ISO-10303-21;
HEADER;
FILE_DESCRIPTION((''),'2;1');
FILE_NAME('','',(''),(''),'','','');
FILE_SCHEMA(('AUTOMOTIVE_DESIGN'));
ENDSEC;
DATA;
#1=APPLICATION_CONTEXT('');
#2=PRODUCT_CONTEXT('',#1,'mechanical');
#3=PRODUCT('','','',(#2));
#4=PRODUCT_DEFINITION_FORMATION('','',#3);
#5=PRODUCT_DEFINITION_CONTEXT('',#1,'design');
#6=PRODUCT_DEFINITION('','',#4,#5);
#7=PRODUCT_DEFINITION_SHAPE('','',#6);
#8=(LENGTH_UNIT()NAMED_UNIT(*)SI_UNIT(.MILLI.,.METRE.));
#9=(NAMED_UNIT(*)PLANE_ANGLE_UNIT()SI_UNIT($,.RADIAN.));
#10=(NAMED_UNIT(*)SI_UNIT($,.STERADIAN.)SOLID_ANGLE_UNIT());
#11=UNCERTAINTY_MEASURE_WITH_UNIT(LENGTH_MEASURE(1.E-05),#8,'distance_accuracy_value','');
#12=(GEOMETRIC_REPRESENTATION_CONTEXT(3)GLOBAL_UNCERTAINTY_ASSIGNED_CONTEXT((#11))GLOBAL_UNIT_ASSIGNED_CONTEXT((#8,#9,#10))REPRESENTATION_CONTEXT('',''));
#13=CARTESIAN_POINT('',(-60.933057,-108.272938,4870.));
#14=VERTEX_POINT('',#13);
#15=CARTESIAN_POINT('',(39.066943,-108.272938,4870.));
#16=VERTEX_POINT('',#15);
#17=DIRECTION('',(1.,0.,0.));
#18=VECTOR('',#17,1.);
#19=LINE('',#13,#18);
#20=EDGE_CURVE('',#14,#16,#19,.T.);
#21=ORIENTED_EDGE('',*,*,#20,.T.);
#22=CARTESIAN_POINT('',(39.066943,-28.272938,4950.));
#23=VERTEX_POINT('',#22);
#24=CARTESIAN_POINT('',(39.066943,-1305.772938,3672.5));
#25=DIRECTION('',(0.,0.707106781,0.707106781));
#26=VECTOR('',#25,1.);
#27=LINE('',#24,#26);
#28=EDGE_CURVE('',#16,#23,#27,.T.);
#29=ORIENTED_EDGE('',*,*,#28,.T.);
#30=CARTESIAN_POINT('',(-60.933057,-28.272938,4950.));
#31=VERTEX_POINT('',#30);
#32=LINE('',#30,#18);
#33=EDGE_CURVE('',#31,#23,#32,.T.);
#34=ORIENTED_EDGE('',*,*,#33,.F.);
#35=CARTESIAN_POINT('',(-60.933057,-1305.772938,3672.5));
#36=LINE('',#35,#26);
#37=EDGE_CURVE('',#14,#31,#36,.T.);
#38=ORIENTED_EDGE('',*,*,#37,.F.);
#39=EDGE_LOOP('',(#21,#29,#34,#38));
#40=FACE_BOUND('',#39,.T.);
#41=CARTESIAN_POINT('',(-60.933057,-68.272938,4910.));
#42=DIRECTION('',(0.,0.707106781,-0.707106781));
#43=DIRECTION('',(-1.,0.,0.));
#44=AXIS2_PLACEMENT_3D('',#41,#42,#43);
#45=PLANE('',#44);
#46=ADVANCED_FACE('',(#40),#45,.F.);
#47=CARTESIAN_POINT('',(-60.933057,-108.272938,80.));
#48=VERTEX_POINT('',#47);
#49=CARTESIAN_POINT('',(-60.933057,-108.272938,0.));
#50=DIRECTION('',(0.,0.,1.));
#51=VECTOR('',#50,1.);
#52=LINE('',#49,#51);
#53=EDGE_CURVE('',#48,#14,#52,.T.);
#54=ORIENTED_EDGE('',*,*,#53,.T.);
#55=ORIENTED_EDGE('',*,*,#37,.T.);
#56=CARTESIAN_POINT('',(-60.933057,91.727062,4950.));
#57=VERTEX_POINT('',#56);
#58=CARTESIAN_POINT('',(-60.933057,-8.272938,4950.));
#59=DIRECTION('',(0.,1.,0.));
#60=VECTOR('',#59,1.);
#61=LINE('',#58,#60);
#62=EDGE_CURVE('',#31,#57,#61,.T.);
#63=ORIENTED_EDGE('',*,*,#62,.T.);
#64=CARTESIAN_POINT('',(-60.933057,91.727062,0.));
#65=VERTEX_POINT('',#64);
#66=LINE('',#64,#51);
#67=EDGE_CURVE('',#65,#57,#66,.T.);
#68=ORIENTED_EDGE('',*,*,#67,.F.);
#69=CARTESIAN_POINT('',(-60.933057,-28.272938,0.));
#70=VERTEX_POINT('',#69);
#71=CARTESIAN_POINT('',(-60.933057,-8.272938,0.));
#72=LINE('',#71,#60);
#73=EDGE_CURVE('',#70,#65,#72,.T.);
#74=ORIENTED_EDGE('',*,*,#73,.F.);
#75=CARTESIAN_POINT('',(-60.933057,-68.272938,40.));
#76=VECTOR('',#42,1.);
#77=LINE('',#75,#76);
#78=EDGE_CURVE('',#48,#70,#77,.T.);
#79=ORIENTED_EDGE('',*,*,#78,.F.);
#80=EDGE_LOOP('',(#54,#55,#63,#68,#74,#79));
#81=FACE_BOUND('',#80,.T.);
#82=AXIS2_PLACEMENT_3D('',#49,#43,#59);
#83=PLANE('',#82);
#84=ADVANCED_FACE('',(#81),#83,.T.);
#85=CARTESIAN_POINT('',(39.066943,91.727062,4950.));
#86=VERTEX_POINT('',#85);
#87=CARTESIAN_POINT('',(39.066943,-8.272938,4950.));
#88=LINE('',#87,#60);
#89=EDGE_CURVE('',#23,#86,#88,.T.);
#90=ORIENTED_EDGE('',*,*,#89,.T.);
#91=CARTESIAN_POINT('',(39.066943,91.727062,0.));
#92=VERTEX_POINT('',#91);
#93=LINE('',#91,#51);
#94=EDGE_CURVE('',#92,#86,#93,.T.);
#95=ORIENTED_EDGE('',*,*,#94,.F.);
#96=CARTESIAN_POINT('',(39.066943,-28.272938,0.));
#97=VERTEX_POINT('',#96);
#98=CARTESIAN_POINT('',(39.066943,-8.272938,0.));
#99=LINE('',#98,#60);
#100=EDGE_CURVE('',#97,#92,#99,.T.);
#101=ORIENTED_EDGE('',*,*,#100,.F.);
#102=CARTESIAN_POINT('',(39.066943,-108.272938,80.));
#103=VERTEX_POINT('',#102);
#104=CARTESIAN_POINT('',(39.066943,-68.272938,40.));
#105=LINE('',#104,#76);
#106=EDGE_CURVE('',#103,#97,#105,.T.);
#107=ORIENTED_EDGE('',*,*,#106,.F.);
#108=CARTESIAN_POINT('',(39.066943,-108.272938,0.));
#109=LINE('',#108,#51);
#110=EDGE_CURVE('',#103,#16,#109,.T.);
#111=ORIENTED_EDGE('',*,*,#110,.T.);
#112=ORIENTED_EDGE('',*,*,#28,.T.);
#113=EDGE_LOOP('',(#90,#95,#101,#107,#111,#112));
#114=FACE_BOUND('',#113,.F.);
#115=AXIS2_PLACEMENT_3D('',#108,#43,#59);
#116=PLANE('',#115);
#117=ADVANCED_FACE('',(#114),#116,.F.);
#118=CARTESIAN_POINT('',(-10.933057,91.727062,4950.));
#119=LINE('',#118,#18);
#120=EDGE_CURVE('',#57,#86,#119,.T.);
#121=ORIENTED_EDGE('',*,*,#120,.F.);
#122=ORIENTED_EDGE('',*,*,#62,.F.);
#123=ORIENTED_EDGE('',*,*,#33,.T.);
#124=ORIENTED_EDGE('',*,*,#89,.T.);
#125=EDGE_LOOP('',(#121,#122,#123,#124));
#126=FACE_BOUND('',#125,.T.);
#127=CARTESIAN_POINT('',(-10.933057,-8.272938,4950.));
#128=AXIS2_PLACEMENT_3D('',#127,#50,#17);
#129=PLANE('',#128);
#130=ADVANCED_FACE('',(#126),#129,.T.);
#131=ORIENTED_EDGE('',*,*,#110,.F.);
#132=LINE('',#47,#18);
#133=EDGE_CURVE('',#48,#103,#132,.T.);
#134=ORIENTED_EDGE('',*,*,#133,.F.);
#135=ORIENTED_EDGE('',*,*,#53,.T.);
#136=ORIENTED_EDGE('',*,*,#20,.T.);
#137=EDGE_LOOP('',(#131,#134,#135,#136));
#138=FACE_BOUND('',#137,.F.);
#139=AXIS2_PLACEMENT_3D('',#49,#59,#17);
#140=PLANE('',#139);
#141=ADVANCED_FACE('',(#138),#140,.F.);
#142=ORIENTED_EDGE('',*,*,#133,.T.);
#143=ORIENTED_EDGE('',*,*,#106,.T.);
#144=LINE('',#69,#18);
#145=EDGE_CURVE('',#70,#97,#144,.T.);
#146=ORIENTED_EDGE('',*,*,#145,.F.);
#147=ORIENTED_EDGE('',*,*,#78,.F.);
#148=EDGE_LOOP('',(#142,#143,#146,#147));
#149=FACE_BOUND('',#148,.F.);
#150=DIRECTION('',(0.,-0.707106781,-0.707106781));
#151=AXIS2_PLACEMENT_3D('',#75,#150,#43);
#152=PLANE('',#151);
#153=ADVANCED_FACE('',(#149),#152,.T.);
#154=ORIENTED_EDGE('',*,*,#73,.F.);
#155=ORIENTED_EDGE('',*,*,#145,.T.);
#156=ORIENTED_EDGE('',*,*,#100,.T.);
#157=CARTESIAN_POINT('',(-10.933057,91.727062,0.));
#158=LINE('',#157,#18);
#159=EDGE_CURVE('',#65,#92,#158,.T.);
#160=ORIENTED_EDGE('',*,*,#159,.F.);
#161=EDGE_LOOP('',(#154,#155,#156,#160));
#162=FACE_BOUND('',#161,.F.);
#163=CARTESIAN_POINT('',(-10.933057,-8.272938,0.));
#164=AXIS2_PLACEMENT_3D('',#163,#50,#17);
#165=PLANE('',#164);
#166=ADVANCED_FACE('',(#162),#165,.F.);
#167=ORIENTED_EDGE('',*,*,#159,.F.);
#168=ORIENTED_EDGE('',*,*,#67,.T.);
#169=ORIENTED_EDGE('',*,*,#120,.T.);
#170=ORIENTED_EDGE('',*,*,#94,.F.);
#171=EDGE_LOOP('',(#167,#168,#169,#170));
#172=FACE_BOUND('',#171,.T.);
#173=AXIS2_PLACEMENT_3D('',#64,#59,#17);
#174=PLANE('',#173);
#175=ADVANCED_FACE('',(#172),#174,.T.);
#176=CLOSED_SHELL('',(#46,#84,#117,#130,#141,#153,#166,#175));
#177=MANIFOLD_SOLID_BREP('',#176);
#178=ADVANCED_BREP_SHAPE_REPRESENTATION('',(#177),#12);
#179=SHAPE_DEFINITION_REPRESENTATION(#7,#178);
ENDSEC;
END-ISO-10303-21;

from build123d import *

# Parameters (mm, degrees)
F0_W     = 100
F0_H     = 200
F1_DEPTH = 4950
F2_SIZE  = 80
F3_SIZE  = 80


with BuildPart() as f1:
    # F0 (on Top) → F1 (new body)
    with BuildSketch(Plane.XY):
        with Locations((-10.933057, -8.272938)):
            Rectangle(F0_W, F0_H)
    extrude(amount=F1_DEPTH)

    # F2
    f2_edges = [f1.edges().sort_by_distance(p)[0] for p in [
        (-10.933057, -108.272938, 4950),
    ]]
    chamfer(f2_edges, length=F2_SIZE)

    # F3
    f3_edges = [f1.edges().sort_by_distance(p)[0] for p in [
        (-10.933057, -108.272938, 0),
    ]]
    chamfer(f3_edges, length=F3_SIZE)


solid = f1.part
